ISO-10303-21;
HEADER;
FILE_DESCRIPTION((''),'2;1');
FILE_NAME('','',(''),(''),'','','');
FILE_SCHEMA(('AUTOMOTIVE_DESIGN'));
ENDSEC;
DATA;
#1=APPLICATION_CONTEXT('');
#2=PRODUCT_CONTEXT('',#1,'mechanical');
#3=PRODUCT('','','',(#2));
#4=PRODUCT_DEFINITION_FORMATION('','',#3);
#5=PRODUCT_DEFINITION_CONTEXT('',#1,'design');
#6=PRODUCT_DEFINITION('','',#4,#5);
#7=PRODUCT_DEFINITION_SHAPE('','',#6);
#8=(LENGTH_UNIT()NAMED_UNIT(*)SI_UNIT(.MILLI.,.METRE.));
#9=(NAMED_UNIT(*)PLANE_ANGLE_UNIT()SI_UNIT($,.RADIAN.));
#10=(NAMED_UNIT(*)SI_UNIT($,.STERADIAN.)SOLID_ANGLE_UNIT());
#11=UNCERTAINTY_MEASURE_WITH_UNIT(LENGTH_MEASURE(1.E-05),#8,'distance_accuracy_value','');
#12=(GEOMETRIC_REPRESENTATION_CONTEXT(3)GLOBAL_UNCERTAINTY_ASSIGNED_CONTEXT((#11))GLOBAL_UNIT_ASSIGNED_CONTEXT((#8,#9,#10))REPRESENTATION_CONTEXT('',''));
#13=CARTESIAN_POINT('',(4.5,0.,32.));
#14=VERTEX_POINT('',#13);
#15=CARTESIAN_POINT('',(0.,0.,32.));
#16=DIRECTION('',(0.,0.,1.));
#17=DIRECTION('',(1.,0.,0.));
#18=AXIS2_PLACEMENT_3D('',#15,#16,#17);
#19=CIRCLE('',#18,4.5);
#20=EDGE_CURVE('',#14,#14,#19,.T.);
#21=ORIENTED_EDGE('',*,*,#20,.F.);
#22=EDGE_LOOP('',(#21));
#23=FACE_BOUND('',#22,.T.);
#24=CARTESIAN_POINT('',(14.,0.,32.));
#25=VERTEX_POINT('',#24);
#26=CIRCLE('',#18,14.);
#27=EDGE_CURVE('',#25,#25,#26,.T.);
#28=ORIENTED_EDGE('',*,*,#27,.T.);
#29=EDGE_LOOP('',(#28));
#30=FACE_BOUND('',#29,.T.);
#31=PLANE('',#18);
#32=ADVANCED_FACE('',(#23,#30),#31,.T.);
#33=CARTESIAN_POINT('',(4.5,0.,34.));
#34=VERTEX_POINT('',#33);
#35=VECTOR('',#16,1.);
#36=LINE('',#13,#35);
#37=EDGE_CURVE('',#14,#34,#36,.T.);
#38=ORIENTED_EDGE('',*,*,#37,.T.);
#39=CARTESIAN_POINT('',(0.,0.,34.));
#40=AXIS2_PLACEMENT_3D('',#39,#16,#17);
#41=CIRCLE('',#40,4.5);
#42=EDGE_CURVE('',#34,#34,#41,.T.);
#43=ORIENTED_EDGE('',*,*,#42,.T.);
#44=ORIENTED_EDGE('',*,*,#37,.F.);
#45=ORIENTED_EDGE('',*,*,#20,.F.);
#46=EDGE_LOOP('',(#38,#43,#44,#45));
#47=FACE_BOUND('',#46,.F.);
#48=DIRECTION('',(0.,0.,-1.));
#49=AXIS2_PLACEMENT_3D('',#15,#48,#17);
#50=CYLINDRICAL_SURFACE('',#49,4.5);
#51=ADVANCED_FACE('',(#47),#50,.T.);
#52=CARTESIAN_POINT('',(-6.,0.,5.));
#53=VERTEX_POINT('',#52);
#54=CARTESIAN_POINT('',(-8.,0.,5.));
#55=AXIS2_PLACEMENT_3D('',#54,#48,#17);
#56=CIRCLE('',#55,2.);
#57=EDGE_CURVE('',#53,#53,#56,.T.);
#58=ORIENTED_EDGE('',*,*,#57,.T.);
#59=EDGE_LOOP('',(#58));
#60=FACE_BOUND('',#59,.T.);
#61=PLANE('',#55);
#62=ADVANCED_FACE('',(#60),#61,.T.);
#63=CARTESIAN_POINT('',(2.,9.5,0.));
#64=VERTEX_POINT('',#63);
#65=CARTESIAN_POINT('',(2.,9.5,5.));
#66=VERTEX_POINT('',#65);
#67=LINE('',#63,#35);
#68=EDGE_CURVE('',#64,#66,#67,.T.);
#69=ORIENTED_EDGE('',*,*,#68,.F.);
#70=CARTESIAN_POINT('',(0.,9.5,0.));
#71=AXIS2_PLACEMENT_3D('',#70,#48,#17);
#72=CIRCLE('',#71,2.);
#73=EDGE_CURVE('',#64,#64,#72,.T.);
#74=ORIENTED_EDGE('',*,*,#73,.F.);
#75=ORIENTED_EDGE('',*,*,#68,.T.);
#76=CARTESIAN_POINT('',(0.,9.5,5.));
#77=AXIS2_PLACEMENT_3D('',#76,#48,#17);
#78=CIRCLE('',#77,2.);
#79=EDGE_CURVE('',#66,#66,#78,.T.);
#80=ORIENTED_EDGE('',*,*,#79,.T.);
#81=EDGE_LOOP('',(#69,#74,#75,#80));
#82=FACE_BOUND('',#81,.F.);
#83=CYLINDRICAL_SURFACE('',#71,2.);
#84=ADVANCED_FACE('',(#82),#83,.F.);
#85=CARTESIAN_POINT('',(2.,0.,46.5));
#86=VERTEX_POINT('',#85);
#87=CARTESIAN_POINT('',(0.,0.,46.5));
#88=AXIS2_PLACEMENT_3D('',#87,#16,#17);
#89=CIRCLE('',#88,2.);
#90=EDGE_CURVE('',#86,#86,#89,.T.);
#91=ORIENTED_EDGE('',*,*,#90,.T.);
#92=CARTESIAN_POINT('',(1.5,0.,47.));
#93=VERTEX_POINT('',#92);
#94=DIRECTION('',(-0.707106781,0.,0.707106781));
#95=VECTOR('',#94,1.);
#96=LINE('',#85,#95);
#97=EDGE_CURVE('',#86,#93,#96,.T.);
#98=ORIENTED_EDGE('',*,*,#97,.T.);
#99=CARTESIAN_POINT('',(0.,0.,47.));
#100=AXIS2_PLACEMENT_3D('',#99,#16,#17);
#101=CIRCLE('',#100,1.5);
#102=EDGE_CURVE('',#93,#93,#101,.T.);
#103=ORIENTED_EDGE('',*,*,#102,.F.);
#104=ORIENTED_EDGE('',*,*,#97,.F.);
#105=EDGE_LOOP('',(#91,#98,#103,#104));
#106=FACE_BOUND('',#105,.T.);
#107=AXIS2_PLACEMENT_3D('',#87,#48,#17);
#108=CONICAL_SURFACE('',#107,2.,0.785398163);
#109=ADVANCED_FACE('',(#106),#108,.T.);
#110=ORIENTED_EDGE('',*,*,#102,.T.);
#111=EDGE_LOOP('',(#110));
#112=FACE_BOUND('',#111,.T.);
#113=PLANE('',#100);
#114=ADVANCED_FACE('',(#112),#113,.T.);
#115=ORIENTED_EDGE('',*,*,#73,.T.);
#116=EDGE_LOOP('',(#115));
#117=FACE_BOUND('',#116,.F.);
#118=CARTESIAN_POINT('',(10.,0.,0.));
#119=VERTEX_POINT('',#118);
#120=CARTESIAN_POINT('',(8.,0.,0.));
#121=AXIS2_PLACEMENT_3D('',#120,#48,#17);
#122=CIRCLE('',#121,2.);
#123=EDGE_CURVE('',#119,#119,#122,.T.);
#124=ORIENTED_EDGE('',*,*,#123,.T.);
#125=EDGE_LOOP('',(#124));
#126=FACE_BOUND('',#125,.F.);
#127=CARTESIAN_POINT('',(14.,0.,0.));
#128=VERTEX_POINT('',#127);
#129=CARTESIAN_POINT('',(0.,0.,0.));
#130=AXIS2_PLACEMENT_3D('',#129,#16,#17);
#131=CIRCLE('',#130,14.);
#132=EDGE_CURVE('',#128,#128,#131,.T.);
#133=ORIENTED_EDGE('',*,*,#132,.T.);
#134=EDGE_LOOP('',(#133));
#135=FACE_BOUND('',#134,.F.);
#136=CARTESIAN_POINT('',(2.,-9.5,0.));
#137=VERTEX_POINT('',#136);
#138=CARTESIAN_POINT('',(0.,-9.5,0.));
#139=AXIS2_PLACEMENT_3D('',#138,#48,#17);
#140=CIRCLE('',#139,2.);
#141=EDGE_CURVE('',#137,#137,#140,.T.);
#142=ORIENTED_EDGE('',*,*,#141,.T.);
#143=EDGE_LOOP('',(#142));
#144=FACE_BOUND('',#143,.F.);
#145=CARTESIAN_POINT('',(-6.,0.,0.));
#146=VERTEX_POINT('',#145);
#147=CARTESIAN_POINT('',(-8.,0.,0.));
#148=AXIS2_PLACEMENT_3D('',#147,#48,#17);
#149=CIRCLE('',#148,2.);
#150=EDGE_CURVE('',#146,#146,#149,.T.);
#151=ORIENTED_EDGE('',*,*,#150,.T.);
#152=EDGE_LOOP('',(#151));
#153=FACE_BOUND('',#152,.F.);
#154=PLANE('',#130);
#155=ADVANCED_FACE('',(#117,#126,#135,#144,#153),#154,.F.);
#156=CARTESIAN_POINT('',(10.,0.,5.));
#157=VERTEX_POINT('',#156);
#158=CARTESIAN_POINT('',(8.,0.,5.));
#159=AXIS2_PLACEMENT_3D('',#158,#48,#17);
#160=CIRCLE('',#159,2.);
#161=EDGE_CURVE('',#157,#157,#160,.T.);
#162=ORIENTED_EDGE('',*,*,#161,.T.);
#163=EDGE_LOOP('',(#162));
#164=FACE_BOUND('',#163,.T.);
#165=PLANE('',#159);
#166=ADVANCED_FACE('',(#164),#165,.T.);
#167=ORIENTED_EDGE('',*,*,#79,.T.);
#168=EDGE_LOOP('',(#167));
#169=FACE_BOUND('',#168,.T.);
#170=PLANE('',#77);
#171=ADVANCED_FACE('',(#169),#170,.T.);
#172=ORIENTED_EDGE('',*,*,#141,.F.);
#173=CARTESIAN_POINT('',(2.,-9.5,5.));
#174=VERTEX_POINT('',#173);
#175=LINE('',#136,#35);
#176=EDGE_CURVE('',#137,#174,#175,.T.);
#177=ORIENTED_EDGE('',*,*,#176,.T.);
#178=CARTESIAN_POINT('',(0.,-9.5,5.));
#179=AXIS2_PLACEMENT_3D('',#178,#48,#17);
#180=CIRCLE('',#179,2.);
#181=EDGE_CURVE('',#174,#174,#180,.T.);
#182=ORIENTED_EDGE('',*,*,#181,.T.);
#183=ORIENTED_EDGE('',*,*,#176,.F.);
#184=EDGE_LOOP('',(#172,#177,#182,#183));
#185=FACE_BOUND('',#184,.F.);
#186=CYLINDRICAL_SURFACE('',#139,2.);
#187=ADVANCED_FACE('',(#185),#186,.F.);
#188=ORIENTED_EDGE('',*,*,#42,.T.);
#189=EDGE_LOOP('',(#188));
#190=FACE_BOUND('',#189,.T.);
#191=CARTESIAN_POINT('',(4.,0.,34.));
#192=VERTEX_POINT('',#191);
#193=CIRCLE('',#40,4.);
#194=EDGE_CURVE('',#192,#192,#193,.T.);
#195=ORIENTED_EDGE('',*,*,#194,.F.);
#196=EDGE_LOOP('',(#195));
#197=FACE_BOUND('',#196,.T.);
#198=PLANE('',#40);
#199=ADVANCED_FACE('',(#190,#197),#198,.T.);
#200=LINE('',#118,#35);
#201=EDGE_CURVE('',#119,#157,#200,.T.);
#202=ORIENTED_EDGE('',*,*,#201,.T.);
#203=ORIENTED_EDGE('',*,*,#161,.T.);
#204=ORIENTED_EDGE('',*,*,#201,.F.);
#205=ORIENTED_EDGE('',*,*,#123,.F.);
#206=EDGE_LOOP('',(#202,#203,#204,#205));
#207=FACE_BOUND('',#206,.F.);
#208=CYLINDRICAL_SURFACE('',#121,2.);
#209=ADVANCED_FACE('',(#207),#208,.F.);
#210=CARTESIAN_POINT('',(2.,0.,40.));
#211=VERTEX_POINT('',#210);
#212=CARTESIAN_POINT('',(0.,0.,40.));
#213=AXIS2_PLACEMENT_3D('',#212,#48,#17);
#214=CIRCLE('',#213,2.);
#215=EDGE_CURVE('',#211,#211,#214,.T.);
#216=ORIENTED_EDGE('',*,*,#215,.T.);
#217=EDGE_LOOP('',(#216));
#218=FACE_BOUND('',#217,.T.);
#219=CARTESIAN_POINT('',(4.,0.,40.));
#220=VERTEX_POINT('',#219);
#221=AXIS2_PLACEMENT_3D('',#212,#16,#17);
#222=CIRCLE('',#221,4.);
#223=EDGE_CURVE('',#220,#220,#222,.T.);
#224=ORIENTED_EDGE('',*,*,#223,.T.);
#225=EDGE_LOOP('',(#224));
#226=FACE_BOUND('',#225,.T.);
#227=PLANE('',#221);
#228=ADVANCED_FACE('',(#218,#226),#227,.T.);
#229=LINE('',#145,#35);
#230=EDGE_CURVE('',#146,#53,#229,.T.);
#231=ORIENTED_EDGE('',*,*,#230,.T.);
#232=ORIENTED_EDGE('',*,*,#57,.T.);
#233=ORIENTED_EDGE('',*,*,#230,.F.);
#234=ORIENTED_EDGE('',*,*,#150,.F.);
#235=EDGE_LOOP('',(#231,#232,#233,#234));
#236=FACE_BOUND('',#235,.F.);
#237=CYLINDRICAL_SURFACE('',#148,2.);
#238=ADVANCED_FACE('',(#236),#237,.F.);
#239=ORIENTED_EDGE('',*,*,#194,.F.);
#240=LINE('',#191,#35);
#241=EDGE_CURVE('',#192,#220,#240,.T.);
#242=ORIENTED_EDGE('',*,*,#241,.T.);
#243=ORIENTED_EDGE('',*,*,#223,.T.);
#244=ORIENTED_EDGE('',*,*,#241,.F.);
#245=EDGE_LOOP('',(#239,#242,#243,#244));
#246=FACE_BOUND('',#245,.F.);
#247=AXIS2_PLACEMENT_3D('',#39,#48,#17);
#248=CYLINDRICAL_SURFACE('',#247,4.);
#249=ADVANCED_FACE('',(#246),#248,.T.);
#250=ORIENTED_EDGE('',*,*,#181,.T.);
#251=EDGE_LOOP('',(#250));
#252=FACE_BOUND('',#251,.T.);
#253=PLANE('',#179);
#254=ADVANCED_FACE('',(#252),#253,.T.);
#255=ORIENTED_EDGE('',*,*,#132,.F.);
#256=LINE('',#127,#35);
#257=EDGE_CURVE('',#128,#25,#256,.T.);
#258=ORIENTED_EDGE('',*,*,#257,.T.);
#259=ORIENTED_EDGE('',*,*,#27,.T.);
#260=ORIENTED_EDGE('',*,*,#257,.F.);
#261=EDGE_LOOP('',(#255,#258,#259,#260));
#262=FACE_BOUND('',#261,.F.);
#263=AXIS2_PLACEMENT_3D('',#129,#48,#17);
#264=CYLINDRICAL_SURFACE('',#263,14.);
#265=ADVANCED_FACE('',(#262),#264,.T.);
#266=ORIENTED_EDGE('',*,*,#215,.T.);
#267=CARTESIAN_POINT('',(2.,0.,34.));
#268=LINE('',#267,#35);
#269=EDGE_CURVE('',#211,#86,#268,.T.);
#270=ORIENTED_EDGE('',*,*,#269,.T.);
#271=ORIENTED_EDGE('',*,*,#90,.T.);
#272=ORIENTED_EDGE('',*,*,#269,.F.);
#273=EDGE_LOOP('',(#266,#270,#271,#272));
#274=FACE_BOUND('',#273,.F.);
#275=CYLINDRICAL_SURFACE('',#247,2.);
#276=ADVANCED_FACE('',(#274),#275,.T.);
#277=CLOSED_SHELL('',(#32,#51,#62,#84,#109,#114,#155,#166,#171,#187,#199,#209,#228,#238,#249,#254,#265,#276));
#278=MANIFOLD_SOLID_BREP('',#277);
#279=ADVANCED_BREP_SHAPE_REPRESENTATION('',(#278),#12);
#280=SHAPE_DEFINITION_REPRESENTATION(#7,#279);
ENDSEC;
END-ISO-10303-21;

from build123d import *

# Parameters (mm, degrees)
F0_R      = 14
F1_DEPTH  = 32
F2_R      = 4.5
F3_DEPTH  = 2
F4_R      = 2
F5_DEPTH  = 13
F6_SIZE   = 0.5
F7_R      = 2
F8_DEPTH  = 5
F10_R     = 4
F11_DEPTH = 6


with BuildPart() as f1:
    # F0 (on Top) → F1 (new body)
    with BuildSketch(Plane.XY):
        Circle(F0_R)
    extrude(amount=F1_DEPTH)

    # F2 (on face) → F3 (join)
    with BuildSketch(Plane.XY.offset(32)):
        Circle(F2_R)
    extrude(amount=F3_DEPTH)

    # F4 (on face) → F5 (join)
    with BuildSketch(Plane.XY.offset(34)):
        Circle(F4_R)
    extrude(amount=F5_DEPTH)

    # F6
    f6_edges = [f1.edges().sort_by_distance(p)[0] for p in [
        (-2, 0, 47),
    ]]
    chamfer(f6_edges, length=F6_SIZE)

    # F7 (on face) → F8 (cut)
    with BuildSketch(Plane(origin=(0, 0, 0), x_dir=(1, 0, 0), z_dir=(0, 0, -1))):
        with Locations((-8, 0)):
            Circle(F7_R)
        with Locations((8, 0)):
            Circle(F7_R)
        with Locations((0, 9.5)):
            Circle(F7_R)
        with Locations((0, -9.5)):
            Circle(F7_R)
    extrude(amount=-F8_DEPTH, mode=Mode.SUBTRACT)

    # F10 (on face) → F11 (join)
    with BuildSketch(Plane.XY.offset(34)):
        Circle(F10_R)
    extrude(amount=F11_DEPTH)


solid = f1.part
